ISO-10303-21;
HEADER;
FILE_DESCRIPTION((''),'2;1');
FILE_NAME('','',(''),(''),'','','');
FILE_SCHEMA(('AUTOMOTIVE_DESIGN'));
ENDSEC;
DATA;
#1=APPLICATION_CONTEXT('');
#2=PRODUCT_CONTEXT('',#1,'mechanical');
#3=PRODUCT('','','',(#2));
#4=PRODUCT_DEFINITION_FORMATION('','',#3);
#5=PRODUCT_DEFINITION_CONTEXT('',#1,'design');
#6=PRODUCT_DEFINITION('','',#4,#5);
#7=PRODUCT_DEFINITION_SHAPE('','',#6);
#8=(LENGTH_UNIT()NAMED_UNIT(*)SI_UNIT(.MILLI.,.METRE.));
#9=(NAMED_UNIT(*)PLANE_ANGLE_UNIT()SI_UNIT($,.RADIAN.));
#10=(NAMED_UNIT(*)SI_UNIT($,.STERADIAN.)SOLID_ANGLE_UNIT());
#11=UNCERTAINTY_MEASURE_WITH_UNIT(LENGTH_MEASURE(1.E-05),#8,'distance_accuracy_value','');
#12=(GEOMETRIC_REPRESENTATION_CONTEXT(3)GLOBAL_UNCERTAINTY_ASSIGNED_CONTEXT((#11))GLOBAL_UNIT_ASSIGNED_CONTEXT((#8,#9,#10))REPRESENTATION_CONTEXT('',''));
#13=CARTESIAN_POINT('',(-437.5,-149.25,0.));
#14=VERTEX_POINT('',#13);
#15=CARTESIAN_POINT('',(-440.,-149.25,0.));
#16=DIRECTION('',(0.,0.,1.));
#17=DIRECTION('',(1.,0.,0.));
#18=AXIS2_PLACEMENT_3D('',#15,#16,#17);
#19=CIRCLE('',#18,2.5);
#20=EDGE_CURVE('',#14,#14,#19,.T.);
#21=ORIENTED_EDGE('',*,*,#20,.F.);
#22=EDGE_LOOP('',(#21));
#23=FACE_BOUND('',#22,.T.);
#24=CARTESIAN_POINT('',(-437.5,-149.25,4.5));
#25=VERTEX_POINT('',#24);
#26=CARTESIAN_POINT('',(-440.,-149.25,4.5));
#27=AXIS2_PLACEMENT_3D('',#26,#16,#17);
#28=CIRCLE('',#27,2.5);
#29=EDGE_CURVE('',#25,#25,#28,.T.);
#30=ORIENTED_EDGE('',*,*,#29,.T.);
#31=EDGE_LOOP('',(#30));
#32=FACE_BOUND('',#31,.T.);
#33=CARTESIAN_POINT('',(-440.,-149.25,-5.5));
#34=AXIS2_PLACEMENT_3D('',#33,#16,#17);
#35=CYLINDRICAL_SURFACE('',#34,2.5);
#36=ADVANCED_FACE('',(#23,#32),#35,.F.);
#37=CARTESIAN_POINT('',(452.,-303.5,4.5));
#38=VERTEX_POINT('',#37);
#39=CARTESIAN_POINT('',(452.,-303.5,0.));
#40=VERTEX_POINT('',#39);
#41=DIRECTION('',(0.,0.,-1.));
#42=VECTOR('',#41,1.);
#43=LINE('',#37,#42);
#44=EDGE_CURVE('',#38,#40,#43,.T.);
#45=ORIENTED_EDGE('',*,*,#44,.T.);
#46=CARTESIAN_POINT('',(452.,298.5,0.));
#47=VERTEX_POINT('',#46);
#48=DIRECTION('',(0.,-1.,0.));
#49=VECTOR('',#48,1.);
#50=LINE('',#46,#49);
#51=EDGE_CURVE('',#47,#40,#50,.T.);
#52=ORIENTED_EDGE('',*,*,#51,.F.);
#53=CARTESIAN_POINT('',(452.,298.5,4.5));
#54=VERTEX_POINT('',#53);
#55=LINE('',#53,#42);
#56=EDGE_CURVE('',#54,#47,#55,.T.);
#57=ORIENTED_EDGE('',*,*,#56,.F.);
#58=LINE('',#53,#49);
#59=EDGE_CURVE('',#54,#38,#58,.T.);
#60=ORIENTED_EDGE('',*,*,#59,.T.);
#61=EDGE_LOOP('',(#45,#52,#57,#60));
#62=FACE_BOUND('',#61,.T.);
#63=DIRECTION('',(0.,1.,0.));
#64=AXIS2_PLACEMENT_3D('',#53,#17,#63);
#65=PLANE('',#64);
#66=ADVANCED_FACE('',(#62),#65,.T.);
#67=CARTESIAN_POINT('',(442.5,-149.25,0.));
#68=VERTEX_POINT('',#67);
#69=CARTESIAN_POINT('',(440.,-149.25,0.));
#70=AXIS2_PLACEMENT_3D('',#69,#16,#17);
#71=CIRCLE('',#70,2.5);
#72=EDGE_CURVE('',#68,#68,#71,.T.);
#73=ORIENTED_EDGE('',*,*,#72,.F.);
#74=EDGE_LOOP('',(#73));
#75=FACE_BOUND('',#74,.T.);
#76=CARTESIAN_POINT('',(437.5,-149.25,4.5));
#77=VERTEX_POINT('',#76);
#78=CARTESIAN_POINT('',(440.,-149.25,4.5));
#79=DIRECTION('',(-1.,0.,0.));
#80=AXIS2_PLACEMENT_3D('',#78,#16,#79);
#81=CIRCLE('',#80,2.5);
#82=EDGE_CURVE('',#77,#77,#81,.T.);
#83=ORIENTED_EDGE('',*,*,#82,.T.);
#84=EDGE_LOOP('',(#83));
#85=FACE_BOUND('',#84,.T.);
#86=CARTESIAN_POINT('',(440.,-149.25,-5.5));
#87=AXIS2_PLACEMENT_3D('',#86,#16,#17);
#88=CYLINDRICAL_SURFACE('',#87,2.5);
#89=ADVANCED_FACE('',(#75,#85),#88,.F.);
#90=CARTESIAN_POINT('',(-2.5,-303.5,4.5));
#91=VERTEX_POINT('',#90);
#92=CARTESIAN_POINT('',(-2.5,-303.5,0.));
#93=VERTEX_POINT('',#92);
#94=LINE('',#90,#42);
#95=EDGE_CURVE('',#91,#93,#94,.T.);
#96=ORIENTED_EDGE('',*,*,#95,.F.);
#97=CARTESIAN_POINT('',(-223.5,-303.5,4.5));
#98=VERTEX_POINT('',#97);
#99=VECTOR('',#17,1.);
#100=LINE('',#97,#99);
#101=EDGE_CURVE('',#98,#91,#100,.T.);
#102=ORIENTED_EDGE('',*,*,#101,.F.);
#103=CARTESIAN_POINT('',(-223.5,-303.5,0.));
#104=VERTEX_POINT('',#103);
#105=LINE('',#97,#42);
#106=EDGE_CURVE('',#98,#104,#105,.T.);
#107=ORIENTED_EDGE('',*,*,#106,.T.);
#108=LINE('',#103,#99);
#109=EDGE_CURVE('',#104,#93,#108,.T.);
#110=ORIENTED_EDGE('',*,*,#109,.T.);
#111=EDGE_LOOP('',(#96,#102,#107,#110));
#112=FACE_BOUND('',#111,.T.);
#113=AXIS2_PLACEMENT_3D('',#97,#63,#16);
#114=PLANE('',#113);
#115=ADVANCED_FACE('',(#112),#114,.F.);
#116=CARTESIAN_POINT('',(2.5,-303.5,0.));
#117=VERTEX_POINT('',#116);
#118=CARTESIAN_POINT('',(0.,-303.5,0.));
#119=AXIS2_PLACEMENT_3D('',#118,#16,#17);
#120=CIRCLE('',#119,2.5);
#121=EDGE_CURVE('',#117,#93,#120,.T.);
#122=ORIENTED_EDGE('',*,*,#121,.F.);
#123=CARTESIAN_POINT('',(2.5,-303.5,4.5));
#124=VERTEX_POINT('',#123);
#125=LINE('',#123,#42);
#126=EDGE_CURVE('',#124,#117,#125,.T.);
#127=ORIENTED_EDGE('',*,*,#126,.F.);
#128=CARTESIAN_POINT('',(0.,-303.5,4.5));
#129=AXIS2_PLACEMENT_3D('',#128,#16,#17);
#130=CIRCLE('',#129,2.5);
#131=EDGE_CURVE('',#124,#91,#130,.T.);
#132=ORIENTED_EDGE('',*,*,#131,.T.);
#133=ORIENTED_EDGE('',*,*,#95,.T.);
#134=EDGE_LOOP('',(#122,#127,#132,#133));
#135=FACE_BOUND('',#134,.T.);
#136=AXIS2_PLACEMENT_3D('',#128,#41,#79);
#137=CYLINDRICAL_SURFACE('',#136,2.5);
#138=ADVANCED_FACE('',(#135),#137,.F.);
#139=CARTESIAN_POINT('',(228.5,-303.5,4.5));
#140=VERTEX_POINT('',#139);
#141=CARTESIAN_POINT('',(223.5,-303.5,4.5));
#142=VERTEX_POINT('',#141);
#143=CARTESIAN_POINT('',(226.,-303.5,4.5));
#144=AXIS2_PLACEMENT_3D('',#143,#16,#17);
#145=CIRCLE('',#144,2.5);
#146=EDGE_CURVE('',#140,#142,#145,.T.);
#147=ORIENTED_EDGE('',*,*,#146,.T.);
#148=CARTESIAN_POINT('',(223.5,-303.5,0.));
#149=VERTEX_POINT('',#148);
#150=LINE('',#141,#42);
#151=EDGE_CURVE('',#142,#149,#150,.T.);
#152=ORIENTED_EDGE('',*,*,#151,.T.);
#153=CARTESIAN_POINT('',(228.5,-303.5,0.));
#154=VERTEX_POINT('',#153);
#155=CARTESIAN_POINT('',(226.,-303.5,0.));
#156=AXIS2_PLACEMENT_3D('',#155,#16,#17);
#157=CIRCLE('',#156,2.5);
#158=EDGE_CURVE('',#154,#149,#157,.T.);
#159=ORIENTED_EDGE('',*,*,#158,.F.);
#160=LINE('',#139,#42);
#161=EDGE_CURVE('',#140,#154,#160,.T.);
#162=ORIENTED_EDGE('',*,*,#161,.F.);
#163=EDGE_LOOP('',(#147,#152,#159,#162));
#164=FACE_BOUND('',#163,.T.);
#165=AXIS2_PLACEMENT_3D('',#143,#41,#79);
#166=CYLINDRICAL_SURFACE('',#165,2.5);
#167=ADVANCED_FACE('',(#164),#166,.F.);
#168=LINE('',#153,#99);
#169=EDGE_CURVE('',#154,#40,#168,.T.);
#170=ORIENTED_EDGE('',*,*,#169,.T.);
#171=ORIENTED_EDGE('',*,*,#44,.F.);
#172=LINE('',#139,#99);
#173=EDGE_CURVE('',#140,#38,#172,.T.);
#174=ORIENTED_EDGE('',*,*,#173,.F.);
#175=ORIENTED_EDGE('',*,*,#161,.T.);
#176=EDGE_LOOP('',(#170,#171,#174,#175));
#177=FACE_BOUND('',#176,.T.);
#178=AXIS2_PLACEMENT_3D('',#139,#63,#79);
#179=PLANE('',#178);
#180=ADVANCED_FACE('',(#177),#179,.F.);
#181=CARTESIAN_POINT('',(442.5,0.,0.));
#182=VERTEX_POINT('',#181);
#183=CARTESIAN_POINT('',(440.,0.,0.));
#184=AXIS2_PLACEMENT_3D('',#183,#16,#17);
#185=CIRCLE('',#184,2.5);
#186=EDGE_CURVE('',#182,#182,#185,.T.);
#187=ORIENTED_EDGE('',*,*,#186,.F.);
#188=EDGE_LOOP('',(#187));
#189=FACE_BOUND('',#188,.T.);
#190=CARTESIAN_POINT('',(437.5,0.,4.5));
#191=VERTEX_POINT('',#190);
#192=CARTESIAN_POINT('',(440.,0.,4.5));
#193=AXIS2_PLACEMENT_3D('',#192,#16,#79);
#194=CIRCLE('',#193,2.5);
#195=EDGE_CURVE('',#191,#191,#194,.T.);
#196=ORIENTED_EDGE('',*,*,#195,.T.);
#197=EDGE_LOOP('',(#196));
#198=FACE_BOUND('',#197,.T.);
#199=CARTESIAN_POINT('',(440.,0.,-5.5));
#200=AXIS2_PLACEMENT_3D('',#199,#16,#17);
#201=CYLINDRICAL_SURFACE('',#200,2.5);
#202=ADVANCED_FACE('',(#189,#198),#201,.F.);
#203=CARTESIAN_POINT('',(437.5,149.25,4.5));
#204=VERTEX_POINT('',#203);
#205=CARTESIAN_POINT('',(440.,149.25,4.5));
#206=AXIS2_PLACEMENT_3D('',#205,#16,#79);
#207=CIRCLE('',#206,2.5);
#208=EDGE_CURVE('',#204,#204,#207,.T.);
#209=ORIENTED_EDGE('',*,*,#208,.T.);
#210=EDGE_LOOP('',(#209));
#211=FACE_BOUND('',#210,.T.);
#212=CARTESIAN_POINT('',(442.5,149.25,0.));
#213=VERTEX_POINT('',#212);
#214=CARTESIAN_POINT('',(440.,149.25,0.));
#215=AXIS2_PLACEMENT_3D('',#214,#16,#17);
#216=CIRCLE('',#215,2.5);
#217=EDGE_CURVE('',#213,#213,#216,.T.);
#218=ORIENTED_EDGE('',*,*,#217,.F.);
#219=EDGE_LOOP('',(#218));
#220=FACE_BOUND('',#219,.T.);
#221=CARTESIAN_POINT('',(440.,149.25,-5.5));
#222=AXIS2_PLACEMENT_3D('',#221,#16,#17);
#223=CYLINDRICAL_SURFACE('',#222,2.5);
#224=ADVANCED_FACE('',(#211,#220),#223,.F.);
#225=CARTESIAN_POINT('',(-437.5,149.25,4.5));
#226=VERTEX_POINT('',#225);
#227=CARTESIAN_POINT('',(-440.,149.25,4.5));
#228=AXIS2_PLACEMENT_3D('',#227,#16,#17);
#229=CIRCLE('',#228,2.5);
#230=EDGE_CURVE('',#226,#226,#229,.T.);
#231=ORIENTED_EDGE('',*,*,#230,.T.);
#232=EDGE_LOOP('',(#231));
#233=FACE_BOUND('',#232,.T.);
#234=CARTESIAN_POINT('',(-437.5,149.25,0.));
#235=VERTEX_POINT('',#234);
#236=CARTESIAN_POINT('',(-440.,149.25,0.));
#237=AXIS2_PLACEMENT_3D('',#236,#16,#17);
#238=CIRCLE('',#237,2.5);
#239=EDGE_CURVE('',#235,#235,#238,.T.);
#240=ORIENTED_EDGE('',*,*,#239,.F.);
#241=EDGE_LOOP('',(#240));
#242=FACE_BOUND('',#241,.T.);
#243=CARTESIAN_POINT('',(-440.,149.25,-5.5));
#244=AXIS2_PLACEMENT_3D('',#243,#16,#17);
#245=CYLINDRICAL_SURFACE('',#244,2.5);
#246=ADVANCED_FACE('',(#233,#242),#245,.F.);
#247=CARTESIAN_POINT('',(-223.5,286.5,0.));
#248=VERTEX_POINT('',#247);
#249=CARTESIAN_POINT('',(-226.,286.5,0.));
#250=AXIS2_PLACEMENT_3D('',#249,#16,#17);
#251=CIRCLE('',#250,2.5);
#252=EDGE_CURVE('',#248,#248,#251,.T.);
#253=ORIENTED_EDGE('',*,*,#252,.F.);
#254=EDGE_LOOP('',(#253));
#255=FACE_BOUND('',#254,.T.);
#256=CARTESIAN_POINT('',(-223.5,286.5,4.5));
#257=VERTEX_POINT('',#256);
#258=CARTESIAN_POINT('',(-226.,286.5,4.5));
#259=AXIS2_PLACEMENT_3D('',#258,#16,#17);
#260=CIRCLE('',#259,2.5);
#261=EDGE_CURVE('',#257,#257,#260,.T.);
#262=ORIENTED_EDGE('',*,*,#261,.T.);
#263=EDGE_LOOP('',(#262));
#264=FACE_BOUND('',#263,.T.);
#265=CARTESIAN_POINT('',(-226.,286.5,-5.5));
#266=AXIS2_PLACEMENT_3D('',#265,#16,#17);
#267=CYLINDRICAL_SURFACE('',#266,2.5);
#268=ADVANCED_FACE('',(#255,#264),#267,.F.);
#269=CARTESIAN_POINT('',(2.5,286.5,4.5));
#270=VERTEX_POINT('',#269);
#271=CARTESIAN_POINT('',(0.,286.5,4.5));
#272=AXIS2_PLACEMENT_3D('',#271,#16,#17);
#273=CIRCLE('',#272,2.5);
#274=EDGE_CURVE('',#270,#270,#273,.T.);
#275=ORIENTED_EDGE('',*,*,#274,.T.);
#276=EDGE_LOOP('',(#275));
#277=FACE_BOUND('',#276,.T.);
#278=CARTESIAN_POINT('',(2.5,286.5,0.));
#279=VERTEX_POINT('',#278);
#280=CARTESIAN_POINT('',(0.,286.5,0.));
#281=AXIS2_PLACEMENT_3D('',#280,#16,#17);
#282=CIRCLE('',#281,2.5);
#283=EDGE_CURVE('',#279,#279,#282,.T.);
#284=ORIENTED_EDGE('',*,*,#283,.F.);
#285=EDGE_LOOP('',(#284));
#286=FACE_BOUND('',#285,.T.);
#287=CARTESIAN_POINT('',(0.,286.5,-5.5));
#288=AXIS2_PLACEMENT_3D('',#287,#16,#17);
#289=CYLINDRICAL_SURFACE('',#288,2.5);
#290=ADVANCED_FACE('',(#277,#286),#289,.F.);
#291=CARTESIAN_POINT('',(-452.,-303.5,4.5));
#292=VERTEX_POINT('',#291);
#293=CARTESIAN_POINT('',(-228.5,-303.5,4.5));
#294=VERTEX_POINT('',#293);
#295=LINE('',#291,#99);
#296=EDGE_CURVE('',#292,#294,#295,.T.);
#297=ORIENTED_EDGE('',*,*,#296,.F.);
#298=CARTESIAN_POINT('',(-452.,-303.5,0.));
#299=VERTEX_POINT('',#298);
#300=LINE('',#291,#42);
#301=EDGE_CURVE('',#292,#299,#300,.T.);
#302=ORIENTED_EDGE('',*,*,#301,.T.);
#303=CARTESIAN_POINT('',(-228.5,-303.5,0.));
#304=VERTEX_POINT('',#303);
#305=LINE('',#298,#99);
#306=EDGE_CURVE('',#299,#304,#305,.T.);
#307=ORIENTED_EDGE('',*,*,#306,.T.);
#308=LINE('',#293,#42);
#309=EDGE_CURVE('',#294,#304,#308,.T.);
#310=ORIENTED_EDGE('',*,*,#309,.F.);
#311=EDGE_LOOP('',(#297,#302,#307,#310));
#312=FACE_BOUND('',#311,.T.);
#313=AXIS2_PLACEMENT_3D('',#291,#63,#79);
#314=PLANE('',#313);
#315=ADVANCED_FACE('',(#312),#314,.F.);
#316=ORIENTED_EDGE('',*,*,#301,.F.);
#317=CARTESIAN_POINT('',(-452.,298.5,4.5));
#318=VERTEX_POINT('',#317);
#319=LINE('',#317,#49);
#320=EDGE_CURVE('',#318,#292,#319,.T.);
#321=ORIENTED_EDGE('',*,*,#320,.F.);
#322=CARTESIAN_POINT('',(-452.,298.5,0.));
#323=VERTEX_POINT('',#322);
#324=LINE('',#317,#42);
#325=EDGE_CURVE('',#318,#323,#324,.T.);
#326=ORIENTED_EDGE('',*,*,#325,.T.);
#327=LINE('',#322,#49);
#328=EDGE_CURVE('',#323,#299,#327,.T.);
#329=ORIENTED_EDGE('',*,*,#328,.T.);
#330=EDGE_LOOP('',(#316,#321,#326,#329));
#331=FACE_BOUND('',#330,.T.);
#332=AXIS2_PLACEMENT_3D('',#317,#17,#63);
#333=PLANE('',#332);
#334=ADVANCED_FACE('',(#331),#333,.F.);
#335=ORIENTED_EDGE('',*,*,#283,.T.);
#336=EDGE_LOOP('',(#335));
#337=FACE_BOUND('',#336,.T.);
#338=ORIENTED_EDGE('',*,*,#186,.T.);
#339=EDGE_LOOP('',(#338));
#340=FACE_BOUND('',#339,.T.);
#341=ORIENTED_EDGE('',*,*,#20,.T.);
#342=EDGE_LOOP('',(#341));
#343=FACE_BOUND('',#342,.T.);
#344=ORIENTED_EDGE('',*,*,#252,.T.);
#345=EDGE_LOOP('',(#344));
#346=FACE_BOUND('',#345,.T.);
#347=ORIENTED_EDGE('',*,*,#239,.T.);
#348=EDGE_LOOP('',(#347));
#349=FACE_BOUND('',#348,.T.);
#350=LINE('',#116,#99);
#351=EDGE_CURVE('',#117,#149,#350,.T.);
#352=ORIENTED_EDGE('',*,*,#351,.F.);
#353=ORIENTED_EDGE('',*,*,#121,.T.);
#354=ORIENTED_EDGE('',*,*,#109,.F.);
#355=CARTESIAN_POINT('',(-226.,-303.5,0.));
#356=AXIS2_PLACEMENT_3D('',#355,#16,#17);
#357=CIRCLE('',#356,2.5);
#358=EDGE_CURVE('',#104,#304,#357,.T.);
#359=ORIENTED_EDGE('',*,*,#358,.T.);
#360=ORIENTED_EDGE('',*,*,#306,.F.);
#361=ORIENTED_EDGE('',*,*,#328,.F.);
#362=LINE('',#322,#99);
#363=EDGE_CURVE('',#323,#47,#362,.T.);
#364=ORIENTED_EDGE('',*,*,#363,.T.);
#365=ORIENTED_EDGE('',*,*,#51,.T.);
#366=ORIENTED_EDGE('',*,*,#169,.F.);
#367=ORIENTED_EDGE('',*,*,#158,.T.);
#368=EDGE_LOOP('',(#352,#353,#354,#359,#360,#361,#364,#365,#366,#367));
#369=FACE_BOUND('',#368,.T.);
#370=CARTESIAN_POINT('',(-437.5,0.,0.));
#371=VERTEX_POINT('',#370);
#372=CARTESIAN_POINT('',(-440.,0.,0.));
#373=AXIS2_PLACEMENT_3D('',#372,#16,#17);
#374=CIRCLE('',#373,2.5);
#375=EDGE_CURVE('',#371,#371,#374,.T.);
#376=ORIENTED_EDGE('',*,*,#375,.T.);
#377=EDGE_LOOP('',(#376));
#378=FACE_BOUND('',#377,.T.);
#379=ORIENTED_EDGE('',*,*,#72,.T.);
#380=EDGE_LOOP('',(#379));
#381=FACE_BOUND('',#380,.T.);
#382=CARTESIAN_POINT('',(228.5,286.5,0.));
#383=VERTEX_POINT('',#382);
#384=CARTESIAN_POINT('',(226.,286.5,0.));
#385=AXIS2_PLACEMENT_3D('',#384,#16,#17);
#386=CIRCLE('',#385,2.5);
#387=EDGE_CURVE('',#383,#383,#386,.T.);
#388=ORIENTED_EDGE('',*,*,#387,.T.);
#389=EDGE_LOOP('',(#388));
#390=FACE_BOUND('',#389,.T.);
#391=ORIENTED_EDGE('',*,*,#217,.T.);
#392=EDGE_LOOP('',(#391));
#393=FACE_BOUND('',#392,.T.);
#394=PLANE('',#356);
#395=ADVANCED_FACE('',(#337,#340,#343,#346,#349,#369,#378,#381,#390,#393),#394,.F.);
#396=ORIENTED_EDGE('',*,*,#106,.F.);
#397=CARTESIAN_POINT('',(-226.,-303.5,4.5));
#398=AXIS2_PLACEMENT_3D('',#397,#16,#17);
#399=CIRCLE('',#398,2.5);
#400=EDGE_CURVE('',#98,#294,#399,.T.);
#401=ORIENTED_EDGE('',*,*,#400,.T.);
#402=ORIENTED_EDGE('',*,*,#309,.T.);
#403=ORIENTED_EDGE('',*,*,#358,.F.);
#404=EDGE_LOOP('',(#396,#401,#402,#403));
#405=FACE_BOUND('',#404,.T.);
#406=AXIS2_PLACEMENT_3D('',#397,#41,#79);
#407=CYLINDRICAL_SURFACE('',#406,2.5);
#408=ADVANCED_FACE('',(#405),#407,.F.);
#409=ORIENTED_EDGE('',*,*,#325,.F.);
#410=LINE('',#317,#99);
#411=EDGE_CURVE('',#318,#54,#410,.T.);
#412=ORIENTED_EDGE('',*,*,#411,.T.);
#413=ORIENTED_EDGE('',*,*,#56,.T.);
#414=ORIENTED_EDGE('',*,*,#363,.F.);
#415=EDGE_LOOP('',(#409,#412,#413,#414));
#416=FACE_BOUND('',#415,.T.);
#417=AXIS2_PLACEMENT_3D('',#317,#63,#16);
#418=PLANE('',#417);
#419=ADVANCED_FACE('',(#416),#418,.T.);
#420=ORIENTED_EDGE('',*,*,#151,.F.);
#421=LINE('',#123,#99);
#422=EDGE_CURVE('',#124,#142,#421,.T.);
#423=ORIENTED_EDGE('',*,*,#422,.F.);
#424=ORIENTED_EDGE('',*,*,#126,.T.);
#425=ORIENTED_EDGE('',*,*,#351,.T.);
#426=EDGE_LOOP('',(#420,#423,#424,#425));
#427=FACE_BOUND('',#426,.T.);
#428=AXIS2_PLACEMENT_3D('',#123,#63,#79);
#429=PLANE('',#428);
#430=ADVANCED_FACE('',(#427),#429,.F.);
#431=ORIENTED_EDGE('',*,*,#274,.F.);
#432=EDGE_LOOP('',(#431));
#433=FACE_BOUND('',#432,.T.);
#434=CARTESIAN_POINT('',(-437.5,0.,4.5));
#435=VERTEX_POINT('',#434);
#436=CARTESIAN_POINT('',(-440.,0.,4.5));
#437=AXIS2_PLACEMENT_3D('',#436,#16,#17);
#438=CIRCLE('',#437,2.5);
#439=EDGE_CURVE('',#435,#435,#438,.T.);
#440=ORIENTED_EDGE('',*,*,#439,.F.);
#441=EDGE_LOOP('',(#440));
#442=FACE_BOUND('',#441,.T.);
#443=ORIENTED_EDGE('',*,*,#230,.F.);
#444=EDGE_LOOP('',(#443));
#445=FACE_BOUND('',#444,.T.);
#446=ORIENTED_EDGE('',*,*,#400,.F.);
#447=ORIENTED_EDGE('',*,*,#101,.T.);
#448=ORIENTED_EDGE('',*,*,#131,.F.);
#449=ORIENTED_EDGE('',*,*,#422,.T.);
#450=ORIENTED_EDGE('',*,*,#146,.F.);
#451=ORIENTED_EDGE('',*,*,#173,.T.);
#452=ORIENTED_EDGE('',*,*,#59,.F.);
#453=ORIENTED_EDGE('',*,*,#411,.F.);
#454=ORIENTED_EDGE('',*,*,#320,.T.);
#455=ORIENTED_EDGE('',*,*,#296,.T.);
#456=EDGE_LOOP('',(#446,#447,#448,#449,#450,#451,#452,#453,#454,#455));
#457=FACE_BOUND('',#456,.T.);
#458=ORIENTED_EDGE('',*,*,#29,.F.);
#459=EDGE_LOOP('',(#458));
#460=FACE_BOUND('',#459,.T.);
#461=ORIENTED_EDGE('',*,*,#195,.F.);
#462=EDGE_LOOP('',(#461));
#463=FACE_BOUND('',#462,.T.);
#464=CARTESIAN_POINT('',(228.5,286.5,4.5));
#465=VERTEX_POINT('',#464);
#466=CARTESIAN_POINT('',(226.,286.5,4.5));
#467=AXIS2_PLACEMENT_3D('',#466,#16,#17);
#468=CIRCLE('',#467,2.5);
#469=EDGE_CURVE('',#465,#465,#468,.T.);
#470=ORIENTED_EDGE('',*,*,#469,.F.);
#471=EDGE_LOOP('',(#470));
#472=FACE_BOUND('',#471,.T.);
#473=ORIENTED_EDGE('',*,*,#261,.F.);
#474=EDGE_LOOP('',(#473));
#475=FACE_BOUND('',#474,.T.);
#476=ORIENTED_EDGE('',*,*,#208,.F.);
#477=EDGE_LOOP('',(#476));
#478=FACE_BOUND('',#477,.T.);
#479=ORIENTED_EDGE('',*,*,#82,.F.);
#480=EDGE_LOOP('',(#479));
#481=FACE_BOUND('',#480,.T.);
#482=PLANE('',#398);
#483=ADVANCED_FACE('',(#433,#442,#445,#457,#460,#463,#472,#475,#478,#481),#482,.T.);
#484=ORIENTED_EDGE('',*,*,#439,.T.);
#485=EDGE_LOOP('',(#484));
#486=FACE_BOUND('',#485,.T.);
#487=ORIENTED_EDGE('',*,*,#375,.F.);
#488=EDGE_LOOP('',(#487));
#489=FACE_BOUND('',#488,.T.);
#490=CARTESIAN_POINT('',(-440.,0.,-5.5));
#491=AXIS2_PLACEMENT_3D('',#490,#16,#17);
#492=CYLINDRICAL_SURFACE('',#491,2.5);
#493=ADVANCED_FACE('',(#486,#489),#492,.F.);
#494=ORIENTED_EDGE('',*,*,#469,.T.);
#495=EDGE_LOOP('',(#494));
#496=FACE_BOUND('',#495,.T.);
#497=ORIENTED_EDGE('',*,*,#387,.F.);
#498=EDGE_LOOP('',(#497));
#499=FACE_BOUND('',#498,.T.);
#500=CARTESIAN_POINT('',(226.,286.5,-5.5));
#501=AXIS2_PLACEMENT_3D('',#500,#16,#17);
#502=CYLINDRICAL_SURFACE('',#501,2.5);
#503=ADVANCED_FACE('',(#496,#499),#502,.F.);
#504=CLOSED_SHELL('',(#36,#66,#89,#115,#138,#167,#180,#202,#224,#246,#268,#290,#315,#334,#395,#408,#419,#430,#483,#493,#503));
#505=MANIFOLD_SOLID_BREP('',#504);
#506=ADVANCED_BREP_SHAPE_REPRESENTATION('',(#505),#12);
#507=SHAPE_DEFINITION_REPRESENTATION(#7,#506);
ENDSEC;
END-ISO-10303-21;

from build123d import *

# Parameters (mm, degrees)
BOSS_EXTRUDE1_DEPTH = 4.5
SKETCH2_R           = 2.5
CUT_EXTRUDE1_DEPTH  = 10


with BuildPart() as part:
    # Sketch1 → Boss-Extrude1 (new body)
    with BuildSketch(Plane.XY):
        with BuildLine():
            Line((-452, 298.5), (452, 298.5))
            Line((452, 298.5), (452, -303.5))
            Line((452, -303.5), (228.5, -303.5))
            ThreePointArc((228.5, -303.5), (226, -301), (223.5, -303.5))
            Line((223.5, -303.5), (2.5, -303.5))
            ThreePointArc((2.5, -303.5), (0, -301), (-2.5, -303.5))
            Line((-2.5, -303.5), (-223.5, -303.5))
            ThreePointArc((-223.5, -303.5), (-226, -301), (-228.5, -303.5))
            Line((-228.5, -303.5), (-452, -303.5))
            Line((-452, -303.5), (-452, 298.5))
        make_face()
    extrude(amount=BOSS_EXTRUDE1_DEPTH)

    # Sketch2 → Cut-Extrude1 (cut)
    with BuildSketch(Plane.XY.offset(4.5)):
        with Locations((0, 286.5)):
            Circle(SKETCH2_R)
        with Locations((440, -149.25)):
            Circle(SKETCH2_R)
        with Locations((440, 0)):
            Circle(SKETCH2_R)
        with Locations((440, 149.25)):
            Circle(SKETCH2_R)
        with Locations((-440, -149.25)):
            Circle(SKETCH2_R)
        with Locations((-440, 0)):
            Circle(SKETCH2_R)
        with Locations((-440, 149.25)):
            Circle(SKETCH2_R)
        with Locations((226, 286.5)):
            Circle(SKETCH2_R)
        with Locations((-226, 286.5)):
            Circle(SKETCH2_R)
    extrude(amount=-CUT_EXTRUDE1_DEPTH, mode=Mode.SUBTRACT)


solid = part.part
